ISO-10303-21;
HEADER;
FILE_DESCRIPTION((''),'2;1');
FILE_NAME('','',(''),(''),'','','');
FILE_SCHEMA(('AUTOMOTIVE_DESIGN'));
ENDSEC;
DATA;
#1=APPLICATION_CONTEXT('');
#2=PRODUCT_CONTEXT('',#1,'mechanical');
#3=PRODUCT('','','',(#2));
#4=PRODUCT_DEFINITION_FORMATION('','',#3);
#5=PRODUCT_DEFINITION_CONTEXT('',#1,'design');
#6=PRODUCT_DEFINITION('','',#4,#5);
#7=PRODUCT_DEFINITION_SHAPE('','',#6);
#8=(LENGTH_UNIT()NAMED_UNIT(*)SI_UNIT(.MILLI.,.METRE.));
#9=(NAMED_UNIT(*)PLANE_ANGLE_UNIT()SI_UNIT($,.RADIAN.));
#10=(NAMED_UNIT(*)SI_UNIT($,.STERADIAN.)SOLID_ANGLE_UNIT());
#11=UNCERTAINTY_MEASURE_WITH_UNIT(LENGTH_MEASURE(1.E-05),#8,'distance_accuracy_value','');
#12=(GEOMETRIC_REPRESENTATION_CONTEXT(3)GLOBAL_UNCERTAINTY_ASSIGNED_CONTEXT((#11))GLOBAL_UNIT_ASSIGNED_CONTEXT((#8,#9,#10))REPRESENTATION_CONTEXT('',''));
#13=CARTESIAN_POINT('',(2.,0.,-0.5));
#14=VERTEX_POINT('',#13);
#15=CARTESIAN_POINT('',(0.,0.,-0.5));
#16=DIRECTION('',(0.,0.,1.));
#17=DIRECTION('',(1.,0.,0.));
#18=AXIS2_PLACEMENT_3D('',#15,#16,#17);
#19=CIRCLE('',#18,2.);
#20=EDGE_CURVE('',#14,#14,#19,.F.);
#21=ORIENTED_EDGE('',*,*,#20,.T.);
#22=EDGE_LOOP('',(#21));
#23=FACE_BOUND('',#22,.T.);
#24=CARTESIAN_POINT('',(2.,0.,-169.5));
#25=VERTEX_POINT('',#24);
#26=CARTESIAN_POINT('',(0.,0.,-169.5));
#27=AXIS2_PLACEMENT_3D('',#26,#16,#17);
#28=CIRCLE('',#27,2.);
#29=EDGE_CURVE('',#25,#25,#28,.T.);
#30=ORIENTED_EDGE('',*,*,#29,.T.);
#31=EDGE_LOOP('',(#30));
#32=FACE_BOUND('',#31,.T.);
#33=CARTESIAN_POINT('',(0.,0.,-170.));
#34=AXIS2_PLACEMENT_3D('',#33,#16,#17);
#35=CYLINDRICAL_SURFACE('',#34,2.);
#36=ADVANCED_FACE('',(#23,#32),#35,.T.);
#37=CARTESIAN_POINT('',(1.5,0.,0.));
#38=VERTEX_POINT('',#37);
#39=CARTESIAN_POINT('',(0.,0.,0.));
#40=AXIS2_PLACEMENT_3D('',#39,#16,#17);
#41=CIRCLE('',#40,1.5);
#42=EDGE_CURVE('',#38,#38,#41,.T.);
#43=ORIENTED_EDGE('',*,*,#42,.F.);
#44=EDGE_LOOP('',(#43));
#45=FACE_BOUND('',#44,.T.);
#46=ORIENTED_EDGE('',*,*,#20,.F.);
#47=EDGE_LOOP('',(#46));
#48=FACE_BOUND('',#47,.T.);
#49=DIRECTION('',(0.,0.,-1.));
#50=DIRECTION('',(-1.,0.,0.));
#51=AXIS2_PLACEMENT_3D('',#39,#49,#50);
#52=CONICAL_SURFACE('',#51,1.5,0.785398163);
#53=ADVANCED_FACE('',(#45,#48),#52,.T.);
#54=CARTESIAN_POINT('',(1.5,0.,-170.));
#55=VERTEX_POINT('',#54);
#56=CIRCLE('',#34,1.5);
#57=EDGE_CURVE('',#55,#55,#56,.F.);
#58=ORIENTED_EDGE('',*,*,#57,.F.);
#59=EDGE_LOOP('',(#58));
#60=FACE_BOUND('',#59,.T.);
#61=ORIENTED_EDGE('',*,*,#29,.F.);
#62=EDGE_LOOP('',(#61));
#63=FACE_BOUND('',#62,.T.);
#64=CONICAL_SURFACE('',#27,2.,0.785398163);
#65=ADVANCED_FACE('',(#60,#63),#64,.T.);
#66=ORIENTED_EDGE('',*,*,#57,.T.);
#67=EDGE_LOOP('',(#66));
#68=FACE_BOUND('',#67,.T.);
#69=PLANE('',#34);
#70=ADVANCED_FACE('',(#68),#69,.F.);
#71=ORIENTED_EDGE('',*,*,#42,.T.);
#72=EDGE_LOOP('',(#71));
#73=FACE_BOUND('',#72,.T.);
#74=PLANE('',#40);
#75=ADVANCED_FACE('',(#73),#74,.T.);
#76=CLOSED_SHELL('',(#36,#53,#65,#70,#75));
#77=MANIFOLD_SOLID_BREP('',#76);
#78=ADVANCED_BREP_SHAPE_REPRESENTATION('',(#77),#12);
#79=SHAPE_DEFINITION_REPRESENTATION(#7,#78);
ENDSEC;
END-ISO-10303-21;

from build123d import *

# Parameters (mm, degrees)
SKETCH_1_R      = 2
EXTRUDE_1_DEPTH = 170
CHAMFER_1_SIZE  = 0.5


with BuildPart() as part:
    # 草图1 → 凸台-拉伸1 (new body)
    with BuildSketch(Plane.XY):
        Circle(SKETCH_1_R)
    extrude(amount=-EXTRUDE_1_DEPTH)

    # 倒角1
    chamfer_1_edges = [part.edges().sort_by_distance(p)[0] for p in [
        (-2, 0, 0),
        (-2, 0, -170),
    ]]
    chamfer(chamfer_1_edges, length=CHAMFER_1_SIZE)


solid = part.part
